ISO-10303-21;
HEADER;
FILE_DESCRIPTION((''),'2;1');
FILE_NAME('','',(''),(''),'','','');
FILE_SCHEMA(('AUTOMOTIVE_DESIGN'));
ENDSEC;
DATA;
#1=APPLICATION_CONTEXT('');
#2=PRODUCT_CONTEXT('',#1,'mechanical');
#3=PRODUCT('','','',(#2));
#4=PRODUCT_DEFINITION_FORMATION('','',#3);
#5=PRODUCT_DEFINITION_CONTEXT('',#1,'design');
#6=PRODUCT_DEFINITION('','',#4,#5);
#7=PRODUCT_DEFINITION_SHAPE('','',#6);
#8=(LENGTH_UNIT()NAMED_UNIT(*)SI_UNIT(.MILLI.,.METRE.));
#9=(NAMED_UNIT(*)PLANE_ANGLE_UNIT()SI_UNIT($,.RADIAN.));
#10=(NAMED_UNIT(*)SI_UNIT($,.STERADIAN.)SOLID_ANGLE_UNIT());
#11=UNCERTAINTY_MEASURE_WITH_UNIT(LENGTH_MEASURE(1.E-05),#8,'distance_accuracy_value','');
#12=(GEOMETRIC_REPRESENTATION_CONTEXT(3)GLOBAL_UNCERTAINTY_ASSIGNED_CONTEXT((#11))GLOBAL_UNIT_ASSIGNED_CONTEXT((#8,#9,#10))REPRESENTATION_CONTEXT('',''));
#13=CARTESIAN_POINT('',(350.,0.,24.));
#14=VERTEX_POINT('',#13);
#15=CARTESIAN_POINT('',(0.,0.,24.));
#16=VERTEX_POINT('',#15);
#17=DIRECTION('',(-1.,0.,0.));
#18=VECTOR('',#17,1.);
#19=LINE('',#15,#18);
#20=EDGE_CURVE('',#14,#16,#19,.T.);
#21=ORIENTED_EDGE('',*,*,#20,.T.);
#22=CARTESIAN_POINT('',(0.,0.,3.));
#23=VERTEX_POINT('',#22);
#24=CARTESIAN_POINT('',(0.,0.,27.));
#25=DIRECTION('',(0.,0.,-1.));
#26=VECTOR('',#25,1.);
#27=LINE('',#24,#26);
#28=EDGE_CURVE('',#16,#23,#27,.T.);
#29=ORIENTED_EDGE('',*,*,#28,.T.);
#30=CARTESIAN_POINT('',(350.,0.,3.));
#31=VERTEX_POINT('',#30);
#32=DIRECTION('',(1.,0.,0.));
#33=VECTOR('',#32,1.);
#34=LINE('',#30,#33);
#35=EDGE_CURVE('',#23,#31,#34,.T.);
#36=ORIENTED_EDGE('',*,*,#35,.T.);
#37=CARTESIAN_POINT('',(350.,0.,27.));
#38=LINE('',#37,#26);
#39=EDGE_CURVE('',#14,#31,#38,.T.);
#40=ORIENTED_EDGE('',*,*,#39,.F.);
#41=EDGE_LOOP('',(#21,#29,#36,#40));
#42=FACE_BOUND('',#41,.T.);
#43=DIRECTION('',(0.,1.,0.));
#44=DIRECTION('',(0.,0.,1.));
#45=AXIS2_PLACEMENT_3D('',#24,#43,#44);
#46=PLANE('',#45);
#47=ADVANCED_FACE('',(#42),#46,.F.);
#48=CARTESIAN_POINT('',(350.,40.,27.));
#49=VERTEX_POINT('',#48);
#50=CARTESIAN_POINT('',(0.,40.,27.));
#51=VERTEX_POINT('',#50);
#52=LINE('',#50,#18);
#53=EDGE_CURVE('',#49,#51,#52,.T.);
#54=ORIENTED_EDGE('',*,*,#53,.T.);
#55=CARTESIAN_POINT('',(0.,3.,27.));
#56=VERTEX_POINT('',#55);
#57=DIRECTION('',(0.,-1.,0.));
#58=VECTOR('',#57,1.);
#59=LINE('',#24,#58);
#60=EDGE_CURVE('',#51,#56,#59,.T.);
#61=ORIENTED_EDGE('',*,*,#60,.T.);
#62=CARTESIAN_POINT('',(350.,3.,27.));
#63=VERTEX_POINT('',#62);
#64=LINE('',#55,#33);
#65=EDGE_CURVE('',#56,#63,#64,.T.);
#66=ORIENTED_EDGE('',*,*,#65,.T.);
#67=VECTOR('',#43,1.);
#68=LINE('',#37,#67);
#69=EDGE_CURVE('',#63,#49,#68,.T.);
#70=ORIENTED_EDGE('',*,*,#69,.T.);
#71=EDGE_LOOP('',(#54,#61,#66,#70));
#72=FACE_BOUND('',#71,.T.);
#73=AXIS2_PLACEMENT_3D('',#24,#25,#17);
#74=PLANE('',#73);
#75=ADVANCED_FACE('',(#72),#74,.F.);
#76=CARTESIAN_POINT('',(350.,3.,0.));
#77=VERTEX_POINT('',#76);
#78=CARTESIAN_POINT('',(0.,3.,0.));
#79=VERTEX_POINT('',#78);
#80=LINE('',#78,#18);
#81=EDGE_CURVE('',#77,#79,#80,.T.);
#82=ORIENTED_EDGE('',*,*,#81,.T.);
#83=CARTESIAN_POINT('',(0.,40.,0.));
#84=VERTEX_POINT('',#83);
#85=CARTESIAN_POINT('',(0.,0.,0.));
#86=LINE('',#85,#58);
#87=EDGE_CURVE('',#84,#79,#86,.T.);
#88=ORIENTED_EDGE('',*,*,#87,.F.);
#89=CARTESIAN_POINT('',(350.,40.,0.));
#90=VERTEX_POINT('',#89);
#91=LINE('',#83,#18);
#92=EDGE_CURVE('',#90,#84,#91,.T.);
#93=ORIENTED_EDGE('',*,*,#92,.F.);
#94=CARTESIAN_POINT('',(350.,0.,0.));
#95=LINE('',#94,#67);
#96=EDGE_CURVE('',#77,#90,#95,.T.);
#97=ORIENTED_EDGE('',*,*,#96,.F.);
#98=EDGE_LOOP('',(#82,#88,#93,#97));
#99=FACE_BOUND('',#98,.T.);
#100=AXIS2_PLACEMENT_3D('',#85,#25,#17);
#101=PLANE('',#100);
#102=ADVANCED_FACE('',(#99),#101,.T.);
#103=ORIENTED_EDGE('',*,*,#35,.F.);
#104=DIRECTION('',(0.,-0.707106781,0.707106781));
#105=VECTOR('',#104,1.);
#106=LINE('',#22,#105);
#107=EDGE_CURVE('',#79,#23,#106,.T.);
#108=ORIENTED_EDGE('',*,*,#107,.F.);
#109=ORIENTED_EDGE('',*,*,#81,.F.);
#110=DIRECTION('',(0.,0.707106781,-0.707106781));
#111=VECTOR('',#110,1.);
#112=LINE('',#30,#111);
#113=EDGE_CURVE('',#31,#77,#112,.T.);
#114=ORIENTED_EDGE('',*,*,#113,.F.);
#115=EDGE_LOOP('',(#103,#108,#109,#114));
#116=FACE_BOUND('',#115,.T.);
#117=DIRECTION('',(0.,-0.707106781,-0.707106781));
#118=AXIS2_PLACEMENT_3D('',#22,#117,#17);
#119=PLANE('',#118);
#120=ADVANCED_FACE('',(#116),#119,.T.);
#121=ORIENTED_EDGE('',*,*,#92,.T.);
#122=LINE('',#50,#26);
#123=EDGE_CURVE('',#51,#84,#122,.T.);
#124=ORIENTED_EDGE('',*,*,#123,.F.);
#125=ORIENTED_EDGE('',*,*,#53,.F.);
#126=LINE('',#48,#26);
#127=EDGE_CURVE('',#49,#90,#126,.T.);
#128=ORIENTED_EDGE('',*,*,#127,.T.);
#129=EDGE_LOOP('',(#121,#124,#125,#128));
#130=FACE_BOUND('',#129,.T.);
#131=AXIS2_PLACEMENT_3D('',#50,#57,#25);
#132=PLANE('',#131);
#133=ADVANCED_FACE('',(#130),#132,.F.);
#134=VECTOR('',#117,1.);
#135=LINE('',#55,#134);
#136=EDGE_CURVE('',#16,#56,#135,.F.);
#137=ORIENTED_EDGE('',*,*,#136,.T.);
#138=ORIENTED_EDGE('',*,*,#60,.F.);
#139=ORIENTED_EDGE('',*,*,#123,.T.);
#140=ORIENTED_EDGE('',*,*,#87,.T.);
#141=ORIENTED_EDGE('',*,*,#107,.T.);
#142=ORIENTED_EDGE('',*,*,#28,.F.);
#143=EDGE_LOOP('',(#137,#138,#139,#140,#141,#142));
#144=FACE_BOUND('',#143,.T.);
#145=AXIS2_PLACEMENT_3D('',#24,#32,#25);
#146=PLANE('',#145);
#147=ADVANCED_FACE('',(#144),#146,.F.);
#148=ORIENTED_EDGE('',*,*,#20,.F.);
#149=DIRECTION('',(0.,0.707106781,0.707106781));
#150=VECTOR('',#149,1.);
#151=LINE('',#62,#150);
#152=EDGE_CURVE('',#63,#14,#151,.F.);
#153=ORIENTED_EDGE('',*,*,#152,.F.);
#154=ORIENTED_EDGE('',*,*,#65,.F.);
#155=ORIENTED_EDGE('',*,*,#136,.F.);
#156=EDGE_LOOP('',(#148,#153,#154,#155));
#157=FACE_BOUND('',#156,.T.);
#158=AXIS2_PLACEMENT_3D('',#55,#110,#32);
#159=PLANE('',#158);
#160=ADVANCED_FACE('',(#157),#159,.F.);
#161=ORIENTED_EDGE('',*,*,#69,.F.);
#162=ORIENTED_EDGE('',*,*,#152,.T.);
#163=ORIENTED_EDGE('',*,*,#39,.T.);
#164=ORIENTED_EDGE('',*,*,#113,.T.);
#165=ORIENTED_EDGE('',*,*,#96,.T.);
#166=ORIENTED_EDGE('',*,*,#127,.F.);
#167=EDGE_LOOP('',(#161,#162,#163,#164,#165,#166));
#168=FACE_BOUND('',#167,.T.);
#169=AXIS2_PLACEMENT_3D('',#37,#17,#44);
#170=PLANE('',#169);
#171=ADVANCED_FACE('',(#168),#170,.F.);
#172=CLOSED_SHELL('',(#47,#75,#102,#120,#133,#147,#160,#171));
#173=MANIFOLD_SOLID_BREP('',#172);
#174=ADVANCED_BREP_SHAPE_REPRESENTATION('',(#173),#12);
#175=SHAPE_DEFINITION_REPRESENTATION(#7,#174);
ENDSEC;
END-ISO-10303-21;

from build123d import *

# Parameters (mm, degrees)
ESQUISSE1_W        = 350
ESQUISSE1_H        = 40
BOSS_EXTRU_1_DEPTH = 27
CHANFREIN1_SIZE    = 3


with BuildPart() as part:
    # Esquisse1 → Boss.-Extru.1 (new body)
    with BuildSketch(Plane.XY):
        with Locations((175, 20)):
            Rectangle(ESQUISSE1_W, ESQUISSE1_H)
    extrude(amount=BOSS_EXTRU_1_DEPTH)

    # Chanfrein1
    chanfrein1_edges = [part.edges().sort_by_distance(p)[0] for p in [
        (175, 0, 0),
        (175, 0, 27),
    ]]
    chamfer(chanfrein1_edges, length=CHANFREIN1_SIZE)


solid = part.part
